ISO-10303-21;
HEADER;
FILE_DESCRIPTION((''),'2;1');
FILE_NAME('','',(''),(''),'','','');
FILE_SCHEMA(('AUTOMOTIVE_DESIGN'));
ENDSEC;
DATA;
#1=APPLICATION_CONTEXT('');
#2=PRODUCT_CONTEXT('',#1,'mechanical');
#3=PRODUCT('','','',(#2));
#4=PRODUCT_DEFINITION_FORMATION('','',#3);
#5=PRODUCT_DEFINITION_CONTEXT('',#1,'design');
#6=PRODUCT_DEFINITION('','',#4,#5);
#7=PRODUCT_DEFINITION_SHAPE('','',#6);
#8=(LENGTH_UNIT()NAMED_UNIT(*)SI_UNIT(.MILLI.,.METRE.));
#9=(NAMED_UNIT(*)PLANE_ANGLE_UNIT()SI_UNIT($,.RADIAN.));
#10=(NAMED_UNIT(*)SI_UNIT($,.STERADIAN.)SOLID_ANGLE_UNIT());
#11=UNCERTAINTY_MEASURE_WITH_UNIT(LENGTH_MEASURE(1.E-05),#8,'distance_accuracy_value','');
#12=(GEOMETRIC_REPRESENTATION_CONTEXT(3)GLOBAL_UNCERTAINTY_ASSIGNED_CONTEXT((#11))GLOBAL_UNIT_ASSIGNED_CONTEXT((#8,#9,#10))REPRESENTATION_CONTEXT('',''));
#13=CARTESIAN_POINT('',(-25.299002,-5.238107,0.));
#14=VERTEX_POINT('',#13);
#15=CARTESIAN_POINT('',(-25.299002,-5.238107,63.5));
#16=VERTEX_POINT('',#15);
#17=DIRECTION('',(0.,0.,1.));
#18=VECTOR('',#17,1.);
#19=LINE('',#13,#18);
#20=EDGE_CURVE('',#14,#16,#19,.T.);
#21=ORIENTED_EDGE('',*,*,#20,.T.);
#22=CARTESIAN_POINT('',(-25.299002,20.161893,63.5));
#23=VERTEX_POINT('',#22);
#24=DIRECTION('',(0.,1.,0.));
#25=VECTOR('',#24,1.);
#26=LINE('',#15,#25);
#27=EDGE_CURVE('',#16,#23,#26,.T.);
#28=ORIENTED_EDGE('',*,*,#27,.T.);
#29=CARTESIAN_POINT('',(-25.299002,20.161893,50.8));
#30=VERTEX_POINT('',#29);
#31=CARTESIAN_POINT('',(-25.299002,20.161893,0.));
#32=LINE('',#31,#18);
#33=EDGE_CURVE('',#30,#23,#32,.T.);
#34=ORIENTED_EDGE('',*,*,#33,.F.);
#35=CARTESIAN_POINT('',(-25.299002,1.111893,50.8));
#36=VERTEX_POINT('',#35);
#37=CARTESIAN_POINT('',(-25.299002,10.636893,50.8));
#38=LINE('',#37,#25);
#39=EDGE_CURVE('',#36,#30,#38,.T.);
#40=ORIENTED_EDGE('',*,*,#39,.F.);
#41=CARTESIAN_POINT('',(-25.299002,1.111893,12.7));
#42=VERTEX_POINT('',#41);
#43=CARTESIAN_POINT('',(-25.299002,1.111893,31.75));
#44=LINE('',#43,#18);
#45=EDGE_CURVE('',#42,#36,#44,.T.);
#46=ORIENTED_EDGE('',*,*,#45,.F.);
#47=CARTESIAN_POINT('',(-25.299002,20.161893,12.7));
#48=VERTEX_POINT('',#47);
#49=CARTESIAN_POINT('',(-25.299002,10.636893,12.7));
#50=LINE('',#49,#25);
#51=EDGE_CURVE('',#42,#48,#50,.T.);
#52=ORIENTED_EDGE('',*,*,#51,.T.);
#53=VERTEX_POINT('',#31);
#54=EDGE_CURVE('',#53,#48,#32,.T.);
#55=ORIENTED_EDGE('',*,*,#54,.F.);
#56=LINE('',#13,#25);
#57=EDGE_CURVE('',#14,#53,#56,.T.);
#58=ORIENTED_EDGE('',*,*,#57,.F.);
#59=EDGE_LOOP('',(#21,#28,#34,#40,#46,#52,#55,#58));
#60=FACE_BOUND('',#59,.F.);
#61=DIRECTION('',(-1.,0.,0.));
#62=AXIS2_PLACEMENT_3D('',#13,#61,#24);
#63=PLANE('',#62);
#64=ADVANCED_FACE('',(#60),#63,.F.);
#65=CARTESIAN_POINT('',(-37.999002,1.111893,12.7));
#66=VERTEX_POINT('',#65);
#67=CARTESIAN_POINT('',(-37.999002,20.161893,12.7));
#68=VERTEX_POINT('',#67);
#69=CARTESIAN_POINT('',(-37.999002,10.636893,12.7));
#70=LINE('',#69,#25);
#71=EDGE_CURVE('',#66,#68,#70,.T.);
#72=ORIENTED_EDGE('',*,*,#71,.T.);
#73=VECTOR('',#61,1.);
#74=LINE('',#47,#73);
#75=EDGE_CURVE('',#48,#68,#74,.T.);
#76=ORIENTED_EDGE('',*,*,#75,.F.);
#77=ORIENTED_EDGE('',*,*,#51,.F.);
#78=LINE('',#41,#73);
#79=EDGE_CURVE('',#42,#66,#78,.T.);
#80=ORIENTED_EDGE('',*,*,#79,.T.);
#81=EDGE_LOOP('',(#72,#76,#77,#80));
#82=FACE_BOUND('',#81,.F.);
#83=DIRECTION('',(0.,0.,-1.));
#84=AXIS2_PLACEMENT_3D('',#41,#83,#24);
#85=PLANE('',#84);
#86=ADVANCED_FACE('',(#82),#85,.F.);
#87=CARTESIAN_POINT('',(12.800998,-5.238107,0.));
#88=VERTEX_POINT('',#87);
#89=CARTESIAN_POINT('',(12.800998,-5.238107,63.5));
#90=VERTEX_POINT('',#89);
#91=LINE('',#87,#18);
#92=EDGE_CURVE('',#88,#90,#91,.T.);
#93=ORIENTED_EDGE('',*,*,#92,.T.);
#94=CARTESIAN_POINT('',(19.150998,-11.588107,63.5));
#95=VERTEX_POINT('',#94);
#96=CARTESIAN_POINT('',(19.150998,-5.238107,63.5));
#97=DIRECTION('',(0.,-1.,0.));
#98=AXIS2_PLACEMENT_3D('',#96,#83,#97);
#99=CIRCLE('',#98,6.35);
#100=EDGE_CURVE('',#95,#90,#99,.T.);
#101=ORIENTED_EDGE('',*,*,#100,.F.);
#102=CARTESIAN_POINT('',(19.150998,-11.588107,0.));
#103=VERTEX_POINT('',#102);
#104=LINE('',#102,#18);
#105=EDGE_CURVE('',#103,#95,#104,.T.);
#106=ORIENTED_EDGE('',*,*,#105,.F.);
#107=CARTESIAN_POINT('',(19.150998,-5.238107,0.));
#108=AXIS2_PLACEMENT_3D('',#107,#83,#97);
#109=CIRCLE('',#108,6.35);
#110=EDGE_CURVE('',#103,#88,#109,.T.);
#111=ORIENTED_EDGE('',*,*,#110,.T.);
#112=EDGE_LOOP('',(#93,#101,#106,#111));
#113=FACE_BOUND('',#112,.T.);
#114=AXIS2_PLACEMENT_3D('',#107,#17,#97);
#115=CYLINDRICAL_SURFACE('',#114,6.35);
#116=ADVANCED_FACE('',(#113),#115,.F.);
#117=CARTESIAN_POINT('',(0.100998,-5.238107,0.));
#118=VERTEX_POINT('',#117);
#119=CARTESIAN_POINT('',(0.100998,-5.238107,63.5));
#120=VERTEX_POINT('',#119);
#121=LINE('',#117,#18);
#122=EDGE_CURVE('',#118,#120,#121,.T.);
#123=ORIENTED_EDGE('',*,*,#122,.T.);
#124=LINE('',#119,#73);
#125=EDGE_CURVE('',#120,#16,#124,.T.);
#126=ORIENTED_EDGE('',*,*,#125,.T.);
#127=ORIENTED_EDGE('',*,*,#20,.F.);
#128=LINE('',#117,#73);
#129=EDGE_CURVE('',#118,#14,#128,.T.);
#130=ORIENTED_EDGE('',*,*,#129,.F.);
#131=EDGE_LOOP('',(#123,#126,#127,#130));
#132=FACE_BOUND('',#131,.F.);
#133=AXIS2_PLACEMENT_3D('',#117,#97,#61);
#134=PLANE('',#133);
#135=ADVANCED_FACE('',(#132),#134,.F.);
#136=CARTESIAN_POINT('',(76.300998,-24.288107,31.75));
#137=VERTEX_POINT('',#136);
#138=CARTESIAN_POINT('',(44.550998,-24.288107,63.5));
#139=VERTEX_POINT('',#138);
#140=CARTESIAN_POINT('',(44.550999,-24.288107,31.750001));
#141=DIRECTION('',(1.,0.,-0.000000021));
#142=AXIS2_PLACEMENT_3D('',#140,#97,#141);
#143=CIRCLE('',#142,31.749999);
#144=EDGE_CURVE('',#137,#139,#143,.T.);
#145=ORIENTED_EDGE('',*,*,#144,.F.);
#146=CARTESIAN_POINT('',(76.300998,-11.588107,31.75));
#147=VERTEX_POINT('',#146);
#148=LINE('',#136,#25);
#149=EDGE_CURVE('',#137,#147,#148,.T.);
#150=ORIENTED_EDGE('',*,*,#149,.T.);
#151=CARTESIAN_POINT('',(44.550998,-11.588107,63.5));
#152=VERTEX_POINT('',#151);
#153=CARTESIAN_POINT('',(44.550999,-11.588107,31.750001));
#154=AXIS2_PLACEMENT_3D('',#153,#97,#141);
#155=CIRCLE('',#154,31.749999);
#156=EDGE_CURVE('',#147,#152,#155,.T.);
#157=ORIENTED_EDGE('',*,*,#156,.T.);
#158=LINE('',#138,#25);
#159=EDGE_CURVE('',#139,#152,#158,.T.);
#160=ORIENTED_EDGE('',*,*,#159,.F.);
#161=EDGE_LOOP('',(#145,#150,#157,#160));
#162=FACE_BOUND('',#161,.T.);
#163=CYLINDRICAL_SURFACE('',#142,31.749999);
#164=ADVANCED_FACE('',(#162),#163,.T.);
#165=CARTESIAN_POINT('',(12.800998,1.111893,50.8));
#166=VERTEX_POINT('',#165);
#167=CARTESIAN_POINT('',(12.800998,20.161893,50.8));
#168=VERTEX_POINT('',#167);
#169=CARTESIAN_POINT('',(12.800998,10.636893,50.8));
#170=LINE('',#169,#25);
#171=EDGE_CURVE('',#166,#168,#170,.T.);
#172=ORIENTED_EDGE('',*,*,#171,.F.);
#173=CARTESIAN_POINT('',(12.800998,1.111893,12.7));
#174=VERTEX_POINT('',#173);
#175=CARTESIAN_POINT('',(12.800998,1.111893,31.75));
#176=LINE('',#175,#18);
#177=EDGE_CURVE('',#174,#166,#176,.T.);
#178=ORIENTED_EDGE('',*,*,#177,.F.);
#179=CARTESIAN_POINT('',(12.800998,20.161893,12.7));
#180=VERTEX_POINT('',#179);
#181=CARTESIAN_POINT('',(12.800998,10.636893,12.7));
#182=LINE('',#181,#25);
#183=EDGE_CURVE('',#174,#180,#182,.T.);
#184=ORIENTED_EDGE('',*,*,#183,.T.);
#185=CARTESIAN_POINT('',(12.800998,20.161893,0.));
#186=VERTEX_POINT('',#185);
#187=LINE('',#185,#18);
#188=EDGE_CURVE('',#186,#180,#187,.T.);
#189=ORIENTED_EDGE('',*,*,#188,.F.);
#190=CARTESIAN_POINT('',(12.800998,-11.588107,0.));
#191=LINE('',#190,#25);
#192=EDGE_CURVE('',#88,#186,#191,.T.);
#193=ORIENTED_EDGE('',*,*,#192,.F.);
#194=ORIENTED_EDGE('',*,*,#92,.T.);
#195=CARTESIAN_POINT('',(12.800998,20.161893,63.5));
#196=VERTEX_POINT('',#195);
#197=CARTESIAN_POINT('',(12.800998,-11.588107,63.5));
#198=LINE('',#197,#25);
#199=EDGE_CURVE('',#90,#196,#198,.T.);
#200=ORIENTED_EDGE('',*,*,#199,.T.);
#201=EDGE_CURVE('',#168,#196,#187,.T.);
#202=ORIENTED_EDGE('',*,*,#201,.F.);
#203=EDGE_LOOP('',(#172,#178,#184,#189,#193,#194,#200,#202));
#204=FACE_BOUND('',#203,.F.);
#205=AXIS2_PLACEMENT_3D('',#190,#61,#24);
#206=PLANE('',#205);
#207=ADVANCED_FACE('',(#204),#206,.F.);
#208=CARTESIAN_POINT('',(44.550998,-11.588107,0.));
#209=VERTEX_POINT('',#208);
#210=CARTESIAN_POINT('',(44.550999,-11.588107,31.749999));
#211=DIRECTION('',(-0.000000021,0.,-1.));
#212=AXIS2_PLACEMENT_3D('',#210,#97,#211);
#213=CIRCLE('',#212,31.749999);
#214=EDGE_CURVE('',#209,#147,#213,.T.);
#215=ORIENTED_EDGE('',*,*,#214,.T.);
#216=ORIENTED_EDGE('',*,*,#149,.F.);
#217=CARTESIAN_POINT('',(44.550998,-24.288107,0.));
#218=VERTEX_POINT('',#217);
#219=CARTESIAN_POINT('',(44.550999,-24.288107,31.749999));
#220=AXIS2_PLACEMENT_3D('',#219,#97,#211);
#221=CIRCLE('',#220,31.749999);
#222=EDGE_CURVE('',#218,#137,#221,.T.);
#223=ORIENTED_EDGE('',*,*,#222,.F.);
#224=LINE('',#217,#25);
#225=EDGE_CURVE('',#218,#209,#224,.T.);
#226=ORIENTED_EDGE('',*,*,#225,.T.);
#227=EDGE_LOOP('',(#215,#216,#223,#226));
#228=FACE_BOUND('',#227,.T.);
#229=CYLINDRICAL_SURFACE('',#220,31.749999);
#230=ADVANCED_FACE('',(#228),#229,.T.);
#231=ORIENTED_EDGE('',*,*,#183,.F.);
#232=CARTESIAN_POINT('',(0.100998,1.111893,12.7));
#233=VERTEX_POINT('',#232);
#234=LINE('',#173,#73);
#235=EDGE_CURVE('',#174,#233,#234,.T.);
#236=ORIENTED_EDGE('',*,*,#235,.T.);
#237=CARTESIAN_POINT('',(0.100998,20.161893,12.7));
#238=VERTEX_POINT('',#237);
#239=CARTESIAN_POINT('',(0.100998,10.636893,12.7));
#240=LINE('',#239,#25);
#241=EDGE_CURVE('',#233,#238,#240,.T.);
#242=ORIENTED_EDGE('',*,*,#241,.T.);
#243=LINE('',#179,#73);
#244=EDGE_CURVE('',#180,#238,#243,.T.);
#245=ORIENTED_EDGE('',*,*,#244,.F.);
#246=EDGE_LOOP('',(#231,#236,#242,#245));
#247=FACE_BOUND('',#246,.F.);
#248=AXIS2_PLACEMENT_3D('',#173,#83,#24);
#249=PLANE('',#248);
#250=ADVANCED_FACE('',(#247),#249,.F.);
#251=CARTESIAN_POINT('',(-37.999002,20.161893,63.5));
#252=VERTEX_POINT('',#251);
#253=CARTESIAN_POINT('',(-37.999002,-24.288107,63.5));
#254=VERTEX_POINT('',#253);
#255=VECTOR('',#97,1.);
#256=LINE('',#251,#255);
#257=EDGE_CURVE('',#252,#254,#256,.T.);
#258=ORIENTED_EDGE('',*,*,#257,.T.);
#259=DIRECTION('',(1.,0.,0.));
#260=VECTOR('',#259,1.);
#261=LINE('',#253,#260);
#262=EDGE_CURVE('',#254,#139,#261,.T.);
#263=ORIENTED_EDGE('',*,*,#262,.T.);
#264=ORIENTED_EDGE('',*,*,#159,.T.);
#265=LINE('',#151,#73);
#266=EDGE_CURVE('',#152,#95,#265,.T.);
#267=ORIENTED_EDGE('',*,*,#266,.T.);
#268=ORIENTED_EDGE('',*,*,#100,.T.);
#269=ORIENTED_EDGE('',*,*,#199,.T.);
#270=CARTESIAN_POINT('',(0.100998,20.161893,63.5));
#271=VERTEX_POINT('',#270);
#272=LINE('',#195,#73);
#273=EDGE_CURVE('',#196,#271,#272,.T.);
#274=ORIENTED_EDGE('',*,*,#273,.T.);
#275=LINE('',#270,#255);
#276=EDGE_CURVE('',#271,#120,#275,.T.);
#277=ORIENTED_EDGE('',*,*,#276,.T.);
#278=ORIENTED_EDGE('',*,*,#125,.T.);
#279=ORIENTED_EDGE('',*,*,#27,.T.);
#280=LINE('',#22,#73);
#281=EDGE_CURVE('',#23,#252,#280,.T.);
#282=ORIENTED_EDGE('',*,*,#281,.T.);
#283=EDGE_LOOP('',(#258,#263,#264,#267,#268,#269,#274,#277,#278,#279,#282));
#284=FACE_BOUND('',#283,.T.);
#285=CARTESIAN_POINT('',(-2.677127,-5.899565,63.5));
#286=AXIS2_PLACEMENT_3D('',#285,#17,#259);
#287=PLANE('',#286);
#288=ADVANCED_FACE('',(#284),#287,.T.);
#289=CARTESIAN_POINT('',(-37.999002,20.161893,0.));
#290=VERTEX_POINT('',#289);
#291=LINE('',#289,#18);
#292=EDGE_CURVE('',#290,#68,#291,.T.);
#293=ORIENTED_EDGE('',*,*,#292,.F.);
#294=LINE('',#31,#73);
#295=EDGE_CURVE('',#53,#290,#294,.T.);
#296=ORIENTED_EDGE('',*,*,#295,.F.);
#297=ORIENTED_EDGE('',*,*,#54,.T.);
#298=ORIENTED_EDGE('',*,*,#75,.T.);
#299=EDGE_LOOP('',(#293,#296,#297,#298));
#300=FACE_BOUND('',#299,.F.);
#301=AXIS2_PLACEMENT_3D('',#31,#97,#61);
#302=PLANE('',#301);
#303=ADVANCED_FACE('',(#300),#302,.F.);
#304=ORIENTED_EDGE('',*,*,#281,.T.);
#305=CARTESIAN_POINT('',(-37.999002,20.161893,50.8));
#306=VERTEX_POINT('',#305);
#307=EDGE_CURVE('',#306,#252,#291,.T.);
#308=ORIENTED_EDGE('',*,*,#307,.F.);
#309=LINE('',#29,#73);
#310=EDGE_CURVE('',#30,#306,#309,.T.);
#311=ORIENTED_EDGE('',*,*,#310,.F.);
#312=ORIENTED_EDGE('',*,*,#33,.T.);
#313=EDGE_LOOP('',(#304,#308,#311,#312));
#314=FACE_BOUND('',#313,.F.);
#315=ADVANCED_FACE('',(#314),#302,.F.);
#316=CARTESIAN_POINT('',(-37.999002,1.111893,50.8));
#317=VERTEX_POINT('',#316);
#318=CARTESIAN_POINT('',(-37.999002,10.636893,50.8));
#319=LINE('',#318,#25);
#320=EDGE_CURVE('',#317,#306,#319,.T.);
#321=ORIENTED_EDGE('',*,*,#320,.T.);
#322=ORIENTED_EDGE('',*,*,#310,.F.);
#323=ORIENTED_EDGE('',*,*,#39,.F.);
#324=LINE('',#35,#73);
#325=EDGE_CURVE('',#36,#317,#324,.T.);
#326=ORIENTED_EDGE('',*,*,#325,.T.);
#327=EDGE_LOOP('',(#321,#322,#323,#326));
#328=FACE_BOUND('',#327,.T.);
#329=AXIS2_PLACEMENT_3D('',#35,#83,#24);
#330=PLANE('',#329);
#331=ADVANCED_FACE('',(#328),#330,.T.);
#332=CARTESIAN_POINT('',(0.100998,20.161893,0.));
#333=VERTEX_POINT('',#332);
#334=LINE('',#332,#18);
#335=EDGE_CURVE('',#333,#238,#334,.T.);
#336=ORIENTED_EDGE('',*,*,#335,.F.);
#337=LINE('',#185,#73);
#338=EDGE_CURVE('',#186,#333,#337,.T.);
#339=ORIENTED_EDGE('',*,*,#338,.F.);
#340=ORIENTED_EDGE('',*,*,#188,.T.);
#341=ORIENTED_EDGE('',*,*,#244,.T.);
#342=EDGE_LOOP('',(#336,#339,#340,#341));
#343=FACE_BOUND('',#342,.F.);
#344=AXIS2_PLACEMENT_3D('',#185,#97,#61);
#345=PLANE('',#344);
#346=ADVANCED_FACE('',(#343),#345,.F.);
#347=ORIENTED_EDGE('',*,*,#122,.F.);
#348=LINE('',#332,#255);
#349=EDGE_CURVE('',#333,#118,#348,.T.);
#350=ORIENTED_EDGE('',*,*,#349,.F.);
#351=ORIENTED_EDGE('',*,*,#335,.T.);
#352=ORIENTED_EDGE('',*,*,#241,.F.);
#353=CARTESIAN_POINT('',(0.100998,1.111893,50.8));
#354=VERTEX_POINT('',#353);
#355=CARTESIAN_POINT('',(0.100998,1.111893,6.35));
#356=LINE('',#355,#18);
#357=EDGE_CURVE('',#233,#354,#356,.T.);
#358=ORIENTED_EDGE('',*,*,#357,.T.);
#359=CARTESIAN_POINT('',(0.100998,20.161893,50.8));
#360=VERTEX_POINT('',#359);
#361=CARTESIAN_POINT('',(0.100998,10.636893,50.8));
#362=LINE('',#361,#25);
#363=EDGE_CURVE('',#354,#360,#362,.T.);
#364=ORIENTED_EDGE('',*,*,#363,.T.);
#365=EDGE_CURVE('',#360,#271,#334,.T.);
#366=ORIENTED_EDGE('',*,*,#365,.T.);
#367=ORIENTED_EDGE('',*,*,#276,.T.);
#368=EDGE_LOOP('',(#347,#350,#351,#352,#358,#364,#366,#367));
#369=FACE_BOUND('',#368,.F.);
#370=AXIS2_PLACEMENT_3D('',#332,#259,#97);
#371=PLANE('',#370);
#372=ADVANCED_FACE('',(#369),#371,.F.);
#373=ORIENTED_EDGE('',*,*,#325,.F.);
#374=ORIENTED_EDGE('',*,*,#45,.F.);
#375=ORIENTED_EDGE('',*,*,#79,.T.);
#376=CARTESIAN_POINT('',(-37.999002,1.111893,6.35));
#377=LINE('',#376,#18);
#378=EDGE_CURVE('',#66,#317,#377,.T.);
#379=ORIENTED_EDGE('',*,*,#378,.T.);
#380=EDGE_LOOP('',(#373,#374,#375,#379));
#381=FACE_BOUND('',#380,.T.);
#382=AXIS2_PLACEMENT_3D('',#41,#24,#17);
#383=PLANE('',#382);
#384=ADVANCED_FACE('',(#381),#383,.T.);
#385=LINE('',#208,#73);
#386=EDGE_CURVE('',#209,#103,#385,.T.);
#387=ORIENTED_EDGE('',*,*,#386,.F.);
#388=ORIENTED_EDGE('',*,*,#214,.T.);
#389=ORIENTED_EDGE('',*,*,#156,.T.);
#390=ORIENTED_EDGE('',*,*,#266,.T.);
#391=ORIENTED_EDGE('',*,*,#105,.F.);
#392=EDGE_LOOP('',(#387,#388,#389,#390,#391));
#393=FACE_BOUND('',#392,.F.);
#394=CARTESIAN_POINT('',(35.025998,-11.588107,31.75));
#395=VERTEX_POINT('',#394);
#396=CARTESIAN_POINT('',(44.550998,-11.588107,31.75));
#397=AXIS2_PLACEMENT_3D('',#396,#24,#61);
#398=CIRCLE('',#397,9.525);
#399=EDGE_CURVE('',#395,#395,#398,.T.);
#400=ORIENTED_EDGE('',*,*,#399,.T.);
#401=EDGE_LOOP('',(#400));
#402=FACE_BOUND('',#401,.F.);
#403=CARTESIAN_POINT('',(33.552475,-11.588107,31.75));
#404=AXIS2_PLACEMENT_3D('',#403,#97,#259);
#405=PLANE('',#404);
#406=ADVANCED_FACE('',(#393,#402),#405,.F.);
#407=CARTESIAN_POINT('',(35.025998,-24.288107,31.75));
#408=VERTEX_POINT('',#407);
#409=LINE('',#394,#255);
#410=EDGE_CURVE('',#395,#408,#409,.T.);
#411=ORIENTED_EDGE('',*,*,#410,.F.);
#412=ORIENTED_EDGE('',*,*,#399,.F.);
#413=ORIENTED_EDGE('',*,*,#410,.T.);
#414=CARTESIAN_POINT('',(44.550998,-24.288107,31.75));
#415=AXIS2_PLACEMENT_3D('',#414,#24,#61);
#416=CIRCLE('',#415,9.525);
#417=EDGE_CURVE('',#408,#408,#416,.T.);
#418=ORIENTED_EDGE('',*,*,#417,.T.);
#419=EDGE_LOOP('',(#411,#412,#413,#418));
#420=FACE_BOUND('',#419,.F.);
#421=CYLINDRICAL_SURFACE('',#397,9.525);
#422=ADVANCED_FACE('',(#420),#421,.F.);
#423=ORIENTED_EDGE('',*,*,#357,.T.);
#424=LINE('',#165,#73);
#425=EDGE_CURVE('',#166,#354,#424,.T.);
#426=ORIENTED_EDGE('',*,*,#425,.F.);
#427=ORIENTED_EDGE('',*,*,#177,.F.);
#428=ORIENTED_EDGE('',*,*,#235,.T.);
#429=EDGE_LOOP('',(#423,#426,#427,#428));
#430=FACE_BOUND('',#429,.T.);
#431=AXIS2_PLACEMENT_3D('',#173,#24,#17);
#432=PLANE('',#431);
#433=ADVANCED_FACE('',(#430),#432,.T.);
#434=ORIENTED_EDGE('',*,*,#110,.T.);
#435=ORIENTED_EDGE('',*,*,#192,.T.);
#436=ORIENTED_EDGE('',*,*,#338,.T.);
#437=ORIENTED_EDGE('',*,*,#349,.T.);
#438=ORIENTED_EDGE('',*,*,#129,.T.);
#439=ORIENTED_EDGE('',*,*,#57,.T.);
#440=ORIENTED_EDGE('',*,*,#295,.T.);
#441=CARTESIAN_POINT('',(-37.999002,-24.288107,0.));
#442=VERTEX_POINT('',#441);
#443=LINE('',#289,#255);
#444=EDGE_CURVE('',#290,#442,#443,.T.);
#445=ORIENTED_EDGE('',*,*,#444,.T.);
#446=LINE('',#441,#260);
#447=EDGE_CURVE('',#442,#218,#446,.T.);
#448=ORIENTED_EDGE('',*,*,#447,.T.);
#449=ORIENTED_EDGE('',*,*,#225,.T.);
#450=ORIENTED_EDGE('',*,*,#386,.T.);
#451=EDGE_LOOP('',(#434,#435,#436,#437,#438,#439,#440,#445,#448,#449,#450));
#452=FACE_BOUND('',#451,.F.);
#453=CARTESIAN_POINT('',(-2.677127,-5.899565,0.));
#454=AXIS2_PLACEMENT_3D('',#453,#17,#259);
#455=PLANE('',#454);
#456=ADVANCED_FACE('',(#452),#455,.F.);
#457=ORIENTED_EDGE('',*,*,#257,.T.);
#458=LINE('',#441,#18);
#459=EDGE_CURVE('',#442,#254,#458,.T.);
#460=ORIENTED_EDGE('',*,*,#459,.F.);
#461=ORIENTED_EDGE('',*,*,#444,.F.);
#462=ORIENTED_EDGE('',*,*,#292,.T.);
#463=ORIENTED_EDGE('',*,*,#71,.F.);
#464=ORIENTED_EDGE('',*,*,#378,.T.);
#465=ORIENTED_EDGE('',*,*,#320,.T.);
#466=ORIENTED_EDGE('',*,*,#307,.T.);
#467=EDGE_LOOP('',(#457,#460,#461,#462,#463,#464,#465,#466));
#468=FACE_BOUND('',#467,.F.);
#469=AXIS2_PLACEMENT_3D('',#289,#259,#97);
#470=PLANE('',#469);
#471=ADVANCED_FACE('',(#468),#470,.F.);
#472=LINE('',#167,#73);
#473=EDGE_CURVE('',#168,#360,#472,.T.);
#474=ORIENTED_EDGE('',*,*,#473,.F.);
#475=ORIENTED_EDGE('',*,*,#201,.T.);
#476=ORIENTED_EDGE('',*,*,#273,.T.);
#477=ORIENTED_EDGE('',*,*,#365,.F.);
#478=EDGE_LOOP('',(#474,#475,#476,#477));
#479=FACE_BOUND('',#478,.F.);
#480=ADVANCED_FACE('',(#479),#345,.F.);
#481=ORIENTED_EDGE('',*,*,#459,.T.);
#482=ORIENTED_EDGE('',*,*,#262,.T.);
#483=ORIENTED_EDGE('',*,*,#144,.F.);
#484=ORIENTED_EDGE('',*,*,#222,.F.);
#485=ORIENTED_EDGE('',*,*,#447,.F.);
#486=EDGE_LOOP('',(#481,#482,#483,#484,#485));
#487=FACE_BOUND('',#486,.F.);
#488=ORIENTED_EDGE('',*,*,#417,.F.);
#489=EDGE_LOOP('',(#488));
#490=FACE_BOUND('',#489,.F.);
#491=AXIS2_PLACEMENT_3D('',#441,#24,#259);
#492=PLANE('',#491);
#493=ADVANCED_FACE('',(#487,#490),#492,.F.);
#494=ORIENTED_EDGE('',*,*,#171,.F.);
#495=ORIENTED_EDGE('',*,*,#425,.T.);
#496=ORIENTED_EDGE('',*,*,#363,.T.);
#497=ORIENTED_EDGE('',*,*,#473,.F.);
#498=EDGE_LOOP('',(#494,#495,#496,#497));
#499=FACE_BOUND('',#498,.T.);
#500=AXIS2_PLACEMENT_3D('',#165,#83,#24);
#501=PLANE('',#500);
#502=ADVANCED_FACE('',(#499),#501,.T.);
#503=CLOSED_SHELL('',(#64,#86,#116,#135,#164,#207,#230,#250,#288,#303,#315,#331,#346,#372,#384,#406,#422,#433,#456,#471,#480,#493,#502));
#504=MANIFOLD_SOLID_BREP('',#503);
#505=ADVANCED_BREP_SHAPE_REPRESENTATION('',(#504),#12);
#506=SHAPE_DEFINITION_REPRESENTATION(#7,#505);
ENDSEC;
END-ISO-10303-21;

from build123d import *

# Parameters (mm, degrees)
F1_DEPTH = 63.5
F3_DEPTH = 12.7
F4_R     = 9.525
F5_DEPTH = 25.4
F6_W     = 19.05
F6_H     = 38.1
F7_DEPTH = 25.4
F8_W     = 19.05
F8_H     = 38.1
F9_DEPTH = 25.4
F10_R    = 6.35


with BuildPart() as f1:
    # F0 (on Top) → F1 (new body)
    with BuildSketch(Plane.XY):
        Polygon((-25.299002, 20.161893), (-37.999002, 20.161893), (-37.999002, -24.288107), (44.550998, -24.288107), (44.550998, -11.588107), (12.800998, -11.588107), (12.800998, 20.161893), (0.100998, 20.161893), (0.100998, -5.238107), (-25.299002, -5.238107), align=None)
    extrude(amount=F1_DEPTH)

    # F2 (on face) → F3 (join)
    with BuildSketch(Plane.XZ.offset(24.288107)):
        with BuildLine():
            Line((44.550998, 0), (44.550998, 63.5))
            ThreePointArc((44.550998, 63.5), (12.800998, 31.75), (44.550998, 0))
        make_face()
        with BuildLine():
            ThreePointArc((44.550998, 0), (67.001639, 9.29936), (76.300998, 31.75))
            ThreePointArc((76.300998, 31.75), (67.001639, 54.20064), (44.550998, 63.5))
            Line((44.550998, 63.5), (44.550998, 0))
        make_face()
    extrude(amount=-F3_DEPTH)

    # F4 (on face) → F5 (cut)
    with BuildSketch(Plane(origin=(0, -11.588107, 0), x_dir=(-1, 0, 0), z_dir=(0, 1, 0))):
        with Locations((-44.550998, 31.75)):
            Circle(F4_R)
    extrude(amount=-F5_DEPTH, mode=Mode.SUBTRACT)

    # F6 (on face) → F7 (cut)
    with BuildSketch(Plane.YZ.offset(12.800998)):
        with Locations((10.636893, 31.75)):
            Rectangle(F6_W, F6_H)
    extrude(amount=-F7_DEPTH, mode=Mode.SUBTRACT)

    # F8 (on face) → F9 (cut)
    with BuildSketch(Plane.YZ.offset(-25.299002)):
        with Locations((10.636893, 31.75)):
            Rectangle(F8_W, F8_H)
    extrude(amount=-F9_DEPTH, mode=Mode.SUBTRACT)

    # F10
    f10_edges = [f1.edges().sort_by_distance(p)[0] for p in [
        (12.800998, -11.588107, 31.75),
    ]]
    fillet(f10_edges, radius=F10_R)


solid = f1.part
